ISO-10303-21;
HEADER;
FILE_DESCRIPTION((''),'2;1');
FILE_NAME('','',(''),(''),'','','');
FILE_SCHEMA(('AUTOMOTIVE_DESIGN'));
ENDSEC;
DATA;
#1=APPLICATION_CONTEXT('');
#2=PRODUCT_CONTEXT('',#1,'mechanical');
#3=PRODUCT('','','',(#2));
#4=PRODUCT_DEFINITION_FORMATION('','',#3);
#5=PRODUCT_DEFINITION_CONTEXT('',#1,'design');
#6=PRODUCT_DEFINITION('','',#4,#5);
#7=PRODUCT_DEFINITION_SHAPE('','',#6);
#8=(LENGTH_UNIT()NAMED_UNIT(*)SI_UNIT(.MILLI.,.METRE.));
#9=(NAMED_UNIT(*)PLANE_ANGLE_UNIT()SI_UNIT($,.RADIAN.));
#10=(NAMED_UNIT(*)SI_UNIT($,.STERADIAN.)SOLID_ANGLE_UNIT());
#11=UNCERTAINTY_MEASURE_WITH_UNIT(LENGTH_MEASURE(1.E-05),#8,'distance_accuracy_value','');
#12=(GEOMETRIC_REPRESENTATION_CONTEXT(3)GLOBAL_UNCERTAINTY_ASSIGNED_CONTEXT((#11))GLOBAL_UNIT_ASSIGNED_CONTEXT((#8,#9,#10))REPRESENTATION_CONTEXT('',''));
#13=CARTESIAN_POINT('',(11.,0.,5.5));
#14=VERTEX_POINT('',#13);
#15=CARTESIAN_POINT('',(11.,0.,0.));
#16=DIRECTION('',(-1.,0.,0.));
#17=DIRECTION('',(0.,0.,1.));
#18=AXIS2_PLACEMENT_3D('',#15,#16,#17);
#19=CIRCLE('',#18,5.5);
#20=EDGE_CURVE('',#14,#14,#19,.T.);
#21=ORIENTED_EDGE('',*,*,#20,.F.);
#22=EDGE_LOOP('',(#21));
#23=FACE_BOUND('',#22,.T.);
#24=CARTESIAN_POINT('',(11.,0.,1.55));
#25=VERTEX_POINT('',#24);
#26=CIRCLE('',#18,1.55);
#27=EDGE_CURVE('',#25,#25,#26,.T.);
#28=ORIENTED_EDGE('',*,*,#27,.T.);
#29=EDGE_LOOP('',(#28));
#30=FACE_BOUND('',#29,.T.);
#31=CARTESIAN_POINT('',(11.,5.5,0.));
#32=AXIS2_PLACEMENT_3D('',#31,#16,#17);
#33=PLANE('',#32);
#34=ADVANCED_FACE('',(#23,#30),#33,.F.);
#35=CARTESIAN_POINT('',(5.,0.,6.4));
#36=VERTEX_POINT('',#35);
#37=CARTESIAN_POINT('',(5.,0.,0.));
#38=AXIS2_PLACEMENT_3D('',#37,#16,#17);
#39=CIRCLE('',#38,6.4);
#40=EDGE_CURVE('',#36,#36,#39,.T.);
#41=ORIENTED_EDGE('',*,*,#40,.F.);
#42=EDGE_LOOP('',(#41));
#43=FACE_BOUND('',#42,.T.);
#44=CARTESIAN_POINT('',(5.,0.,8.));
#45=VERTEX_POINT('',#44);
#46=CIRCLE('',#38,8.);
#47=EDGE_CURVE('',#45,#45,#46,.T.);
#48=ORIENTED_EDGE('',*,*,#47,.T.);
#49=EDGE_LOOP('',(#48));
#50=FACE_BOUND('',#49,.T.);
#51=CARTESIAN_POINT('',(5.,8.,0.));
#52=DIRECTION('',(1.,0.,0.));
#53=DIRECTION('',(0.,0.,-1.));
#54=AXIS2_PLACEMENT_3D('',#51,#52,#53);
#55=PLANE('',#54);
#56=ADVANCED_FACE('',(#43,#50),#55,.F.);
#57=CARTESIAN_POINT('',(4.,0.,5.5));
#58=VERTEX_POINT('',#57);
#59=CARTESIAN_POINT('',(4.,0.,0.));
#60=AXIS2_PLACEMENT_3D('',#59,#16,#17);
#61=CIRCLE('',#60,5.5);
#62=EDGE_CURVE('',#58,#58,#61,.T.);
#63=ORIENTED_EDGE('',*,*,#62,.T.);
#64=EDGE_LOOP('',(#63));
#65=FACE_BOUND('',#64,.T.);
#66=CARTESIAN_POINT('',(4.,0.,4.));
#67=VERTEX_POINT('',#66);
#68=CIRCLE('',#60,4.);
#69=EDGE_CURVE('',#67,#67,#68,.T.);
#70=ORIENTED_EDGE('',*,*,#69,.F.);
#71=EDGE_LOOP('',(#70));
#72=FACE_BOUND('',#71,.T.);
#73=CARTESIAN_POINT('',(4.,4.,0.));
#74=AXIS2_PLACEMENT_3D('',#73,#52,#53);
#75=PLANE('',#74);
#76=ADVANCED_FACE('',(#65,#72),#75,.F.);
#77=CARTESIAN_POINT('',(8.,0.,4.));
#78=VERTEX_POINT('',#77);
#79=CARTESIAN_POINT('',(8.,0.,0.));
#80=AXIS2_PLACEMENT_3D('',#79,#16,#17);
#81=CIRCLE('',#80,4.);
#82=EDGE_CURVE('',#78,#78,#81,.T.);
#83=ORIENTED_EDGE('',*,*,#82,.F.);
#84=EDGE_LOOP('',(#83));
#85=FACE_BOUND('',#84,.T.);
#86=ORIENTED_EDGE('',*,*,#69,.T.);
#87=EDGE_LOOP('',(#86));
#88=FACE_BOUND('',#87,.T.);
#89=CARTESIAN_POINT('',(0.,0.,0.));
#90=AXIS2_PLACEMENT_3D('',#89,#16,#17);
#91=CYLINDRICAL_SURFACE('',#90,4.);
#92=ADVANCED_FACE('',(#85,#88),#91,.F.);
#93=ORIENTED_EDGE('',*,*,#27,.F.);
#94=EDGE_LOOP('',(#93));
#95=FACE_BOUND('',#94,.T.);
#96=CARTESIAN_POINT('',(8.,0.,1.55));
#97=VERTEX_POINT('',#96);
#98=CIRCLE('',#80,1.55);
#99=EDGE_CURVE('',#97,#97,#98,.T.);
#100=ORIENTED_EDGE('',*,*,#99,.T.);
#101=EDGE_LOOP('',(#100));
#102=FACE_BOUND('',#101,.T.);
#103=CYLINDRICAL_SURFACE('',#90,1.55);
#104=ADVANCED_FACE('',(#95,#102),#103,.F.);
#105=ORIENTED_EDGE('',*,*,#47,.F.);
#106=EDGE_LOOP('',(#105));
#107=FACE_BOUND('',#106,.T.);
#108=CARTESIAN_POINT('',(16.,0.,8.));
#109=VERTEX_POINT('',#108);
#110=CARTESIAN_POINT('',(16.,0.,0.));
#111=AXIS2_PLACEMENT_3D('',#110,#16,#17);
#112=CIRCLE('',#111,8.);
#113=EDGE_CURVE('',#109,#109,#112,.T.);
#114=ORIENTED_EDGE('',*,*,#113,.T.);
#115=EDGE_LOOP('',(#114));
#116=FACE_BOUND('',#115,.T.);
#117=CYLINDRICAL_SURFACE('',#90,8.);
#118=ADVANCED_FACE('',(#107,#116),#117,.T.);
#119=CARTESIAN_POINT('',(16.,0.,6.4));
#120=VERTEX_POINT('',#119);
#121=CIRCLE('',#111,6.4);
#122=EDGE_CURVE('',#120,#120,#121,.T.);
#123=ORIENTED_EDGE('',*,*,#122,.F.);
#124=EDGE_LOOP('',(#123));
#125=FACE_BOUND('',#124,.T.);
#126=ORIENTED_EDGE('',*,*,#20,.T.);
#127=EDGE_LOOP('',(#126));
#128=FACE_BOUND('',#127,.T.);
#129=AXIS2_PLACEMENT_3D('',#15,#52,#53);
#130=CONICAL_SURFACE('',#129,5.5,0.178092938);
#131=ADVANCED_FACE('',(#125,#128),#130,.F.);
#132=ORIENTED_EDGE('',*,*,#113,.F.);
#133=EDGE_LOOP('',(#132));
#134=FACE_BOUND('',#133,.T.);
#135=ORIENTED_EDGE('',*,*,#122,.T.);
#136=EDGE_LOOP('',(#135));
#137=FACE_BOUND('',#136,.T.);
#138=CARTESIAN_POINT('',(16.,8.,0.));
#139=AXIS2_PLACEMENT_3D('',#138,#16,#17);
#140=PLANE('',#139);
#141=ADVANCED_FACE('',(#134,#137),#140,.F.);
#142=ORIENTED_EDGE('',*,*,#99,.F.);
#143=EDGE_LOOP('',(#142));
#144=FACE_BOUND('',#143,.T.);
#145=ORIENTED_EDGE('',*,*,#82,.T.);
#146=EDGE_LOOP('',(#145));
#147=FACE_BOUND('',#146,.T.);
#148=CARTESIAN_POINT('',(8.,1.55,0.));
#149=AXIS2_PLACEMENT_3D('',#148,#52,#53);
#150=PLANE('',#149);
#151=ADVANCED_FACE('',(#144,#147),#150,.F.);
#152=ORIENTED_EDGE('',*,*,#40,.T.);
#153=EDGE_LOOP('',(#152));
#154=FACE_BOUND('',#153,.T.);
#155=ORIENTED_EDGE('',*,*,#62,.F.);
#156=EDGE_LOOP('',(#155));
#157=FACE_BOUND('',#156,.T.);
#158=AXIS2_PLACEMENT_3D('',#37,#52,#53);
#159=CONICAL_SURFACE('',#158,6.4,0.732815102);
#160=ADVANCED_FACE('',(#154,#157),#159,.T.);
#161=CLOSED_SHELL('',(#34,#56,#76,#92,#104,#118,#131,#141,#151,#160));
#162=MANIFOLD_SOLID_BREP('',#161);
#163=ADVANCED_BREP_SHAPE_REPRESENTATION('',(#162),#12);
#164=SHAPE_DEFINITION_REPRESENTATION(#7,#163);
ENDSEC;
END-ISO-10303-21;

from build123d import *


with BuildPart() as part:
    # Skizze1 → Rotation1 (revolve)
    with BuildSketch(Plane.XY):
        Polygon((11, 1.55), (8, 1.55), (8, 4), (4, 4), (4, 5.5), (5, 6.4), (5, 8), (16, 8), (16, 6.4), (11, 5.5), align=None)
    revolve(axis=Axis((0, 0, 0), (1, 0, 0)))


solid = part.part
